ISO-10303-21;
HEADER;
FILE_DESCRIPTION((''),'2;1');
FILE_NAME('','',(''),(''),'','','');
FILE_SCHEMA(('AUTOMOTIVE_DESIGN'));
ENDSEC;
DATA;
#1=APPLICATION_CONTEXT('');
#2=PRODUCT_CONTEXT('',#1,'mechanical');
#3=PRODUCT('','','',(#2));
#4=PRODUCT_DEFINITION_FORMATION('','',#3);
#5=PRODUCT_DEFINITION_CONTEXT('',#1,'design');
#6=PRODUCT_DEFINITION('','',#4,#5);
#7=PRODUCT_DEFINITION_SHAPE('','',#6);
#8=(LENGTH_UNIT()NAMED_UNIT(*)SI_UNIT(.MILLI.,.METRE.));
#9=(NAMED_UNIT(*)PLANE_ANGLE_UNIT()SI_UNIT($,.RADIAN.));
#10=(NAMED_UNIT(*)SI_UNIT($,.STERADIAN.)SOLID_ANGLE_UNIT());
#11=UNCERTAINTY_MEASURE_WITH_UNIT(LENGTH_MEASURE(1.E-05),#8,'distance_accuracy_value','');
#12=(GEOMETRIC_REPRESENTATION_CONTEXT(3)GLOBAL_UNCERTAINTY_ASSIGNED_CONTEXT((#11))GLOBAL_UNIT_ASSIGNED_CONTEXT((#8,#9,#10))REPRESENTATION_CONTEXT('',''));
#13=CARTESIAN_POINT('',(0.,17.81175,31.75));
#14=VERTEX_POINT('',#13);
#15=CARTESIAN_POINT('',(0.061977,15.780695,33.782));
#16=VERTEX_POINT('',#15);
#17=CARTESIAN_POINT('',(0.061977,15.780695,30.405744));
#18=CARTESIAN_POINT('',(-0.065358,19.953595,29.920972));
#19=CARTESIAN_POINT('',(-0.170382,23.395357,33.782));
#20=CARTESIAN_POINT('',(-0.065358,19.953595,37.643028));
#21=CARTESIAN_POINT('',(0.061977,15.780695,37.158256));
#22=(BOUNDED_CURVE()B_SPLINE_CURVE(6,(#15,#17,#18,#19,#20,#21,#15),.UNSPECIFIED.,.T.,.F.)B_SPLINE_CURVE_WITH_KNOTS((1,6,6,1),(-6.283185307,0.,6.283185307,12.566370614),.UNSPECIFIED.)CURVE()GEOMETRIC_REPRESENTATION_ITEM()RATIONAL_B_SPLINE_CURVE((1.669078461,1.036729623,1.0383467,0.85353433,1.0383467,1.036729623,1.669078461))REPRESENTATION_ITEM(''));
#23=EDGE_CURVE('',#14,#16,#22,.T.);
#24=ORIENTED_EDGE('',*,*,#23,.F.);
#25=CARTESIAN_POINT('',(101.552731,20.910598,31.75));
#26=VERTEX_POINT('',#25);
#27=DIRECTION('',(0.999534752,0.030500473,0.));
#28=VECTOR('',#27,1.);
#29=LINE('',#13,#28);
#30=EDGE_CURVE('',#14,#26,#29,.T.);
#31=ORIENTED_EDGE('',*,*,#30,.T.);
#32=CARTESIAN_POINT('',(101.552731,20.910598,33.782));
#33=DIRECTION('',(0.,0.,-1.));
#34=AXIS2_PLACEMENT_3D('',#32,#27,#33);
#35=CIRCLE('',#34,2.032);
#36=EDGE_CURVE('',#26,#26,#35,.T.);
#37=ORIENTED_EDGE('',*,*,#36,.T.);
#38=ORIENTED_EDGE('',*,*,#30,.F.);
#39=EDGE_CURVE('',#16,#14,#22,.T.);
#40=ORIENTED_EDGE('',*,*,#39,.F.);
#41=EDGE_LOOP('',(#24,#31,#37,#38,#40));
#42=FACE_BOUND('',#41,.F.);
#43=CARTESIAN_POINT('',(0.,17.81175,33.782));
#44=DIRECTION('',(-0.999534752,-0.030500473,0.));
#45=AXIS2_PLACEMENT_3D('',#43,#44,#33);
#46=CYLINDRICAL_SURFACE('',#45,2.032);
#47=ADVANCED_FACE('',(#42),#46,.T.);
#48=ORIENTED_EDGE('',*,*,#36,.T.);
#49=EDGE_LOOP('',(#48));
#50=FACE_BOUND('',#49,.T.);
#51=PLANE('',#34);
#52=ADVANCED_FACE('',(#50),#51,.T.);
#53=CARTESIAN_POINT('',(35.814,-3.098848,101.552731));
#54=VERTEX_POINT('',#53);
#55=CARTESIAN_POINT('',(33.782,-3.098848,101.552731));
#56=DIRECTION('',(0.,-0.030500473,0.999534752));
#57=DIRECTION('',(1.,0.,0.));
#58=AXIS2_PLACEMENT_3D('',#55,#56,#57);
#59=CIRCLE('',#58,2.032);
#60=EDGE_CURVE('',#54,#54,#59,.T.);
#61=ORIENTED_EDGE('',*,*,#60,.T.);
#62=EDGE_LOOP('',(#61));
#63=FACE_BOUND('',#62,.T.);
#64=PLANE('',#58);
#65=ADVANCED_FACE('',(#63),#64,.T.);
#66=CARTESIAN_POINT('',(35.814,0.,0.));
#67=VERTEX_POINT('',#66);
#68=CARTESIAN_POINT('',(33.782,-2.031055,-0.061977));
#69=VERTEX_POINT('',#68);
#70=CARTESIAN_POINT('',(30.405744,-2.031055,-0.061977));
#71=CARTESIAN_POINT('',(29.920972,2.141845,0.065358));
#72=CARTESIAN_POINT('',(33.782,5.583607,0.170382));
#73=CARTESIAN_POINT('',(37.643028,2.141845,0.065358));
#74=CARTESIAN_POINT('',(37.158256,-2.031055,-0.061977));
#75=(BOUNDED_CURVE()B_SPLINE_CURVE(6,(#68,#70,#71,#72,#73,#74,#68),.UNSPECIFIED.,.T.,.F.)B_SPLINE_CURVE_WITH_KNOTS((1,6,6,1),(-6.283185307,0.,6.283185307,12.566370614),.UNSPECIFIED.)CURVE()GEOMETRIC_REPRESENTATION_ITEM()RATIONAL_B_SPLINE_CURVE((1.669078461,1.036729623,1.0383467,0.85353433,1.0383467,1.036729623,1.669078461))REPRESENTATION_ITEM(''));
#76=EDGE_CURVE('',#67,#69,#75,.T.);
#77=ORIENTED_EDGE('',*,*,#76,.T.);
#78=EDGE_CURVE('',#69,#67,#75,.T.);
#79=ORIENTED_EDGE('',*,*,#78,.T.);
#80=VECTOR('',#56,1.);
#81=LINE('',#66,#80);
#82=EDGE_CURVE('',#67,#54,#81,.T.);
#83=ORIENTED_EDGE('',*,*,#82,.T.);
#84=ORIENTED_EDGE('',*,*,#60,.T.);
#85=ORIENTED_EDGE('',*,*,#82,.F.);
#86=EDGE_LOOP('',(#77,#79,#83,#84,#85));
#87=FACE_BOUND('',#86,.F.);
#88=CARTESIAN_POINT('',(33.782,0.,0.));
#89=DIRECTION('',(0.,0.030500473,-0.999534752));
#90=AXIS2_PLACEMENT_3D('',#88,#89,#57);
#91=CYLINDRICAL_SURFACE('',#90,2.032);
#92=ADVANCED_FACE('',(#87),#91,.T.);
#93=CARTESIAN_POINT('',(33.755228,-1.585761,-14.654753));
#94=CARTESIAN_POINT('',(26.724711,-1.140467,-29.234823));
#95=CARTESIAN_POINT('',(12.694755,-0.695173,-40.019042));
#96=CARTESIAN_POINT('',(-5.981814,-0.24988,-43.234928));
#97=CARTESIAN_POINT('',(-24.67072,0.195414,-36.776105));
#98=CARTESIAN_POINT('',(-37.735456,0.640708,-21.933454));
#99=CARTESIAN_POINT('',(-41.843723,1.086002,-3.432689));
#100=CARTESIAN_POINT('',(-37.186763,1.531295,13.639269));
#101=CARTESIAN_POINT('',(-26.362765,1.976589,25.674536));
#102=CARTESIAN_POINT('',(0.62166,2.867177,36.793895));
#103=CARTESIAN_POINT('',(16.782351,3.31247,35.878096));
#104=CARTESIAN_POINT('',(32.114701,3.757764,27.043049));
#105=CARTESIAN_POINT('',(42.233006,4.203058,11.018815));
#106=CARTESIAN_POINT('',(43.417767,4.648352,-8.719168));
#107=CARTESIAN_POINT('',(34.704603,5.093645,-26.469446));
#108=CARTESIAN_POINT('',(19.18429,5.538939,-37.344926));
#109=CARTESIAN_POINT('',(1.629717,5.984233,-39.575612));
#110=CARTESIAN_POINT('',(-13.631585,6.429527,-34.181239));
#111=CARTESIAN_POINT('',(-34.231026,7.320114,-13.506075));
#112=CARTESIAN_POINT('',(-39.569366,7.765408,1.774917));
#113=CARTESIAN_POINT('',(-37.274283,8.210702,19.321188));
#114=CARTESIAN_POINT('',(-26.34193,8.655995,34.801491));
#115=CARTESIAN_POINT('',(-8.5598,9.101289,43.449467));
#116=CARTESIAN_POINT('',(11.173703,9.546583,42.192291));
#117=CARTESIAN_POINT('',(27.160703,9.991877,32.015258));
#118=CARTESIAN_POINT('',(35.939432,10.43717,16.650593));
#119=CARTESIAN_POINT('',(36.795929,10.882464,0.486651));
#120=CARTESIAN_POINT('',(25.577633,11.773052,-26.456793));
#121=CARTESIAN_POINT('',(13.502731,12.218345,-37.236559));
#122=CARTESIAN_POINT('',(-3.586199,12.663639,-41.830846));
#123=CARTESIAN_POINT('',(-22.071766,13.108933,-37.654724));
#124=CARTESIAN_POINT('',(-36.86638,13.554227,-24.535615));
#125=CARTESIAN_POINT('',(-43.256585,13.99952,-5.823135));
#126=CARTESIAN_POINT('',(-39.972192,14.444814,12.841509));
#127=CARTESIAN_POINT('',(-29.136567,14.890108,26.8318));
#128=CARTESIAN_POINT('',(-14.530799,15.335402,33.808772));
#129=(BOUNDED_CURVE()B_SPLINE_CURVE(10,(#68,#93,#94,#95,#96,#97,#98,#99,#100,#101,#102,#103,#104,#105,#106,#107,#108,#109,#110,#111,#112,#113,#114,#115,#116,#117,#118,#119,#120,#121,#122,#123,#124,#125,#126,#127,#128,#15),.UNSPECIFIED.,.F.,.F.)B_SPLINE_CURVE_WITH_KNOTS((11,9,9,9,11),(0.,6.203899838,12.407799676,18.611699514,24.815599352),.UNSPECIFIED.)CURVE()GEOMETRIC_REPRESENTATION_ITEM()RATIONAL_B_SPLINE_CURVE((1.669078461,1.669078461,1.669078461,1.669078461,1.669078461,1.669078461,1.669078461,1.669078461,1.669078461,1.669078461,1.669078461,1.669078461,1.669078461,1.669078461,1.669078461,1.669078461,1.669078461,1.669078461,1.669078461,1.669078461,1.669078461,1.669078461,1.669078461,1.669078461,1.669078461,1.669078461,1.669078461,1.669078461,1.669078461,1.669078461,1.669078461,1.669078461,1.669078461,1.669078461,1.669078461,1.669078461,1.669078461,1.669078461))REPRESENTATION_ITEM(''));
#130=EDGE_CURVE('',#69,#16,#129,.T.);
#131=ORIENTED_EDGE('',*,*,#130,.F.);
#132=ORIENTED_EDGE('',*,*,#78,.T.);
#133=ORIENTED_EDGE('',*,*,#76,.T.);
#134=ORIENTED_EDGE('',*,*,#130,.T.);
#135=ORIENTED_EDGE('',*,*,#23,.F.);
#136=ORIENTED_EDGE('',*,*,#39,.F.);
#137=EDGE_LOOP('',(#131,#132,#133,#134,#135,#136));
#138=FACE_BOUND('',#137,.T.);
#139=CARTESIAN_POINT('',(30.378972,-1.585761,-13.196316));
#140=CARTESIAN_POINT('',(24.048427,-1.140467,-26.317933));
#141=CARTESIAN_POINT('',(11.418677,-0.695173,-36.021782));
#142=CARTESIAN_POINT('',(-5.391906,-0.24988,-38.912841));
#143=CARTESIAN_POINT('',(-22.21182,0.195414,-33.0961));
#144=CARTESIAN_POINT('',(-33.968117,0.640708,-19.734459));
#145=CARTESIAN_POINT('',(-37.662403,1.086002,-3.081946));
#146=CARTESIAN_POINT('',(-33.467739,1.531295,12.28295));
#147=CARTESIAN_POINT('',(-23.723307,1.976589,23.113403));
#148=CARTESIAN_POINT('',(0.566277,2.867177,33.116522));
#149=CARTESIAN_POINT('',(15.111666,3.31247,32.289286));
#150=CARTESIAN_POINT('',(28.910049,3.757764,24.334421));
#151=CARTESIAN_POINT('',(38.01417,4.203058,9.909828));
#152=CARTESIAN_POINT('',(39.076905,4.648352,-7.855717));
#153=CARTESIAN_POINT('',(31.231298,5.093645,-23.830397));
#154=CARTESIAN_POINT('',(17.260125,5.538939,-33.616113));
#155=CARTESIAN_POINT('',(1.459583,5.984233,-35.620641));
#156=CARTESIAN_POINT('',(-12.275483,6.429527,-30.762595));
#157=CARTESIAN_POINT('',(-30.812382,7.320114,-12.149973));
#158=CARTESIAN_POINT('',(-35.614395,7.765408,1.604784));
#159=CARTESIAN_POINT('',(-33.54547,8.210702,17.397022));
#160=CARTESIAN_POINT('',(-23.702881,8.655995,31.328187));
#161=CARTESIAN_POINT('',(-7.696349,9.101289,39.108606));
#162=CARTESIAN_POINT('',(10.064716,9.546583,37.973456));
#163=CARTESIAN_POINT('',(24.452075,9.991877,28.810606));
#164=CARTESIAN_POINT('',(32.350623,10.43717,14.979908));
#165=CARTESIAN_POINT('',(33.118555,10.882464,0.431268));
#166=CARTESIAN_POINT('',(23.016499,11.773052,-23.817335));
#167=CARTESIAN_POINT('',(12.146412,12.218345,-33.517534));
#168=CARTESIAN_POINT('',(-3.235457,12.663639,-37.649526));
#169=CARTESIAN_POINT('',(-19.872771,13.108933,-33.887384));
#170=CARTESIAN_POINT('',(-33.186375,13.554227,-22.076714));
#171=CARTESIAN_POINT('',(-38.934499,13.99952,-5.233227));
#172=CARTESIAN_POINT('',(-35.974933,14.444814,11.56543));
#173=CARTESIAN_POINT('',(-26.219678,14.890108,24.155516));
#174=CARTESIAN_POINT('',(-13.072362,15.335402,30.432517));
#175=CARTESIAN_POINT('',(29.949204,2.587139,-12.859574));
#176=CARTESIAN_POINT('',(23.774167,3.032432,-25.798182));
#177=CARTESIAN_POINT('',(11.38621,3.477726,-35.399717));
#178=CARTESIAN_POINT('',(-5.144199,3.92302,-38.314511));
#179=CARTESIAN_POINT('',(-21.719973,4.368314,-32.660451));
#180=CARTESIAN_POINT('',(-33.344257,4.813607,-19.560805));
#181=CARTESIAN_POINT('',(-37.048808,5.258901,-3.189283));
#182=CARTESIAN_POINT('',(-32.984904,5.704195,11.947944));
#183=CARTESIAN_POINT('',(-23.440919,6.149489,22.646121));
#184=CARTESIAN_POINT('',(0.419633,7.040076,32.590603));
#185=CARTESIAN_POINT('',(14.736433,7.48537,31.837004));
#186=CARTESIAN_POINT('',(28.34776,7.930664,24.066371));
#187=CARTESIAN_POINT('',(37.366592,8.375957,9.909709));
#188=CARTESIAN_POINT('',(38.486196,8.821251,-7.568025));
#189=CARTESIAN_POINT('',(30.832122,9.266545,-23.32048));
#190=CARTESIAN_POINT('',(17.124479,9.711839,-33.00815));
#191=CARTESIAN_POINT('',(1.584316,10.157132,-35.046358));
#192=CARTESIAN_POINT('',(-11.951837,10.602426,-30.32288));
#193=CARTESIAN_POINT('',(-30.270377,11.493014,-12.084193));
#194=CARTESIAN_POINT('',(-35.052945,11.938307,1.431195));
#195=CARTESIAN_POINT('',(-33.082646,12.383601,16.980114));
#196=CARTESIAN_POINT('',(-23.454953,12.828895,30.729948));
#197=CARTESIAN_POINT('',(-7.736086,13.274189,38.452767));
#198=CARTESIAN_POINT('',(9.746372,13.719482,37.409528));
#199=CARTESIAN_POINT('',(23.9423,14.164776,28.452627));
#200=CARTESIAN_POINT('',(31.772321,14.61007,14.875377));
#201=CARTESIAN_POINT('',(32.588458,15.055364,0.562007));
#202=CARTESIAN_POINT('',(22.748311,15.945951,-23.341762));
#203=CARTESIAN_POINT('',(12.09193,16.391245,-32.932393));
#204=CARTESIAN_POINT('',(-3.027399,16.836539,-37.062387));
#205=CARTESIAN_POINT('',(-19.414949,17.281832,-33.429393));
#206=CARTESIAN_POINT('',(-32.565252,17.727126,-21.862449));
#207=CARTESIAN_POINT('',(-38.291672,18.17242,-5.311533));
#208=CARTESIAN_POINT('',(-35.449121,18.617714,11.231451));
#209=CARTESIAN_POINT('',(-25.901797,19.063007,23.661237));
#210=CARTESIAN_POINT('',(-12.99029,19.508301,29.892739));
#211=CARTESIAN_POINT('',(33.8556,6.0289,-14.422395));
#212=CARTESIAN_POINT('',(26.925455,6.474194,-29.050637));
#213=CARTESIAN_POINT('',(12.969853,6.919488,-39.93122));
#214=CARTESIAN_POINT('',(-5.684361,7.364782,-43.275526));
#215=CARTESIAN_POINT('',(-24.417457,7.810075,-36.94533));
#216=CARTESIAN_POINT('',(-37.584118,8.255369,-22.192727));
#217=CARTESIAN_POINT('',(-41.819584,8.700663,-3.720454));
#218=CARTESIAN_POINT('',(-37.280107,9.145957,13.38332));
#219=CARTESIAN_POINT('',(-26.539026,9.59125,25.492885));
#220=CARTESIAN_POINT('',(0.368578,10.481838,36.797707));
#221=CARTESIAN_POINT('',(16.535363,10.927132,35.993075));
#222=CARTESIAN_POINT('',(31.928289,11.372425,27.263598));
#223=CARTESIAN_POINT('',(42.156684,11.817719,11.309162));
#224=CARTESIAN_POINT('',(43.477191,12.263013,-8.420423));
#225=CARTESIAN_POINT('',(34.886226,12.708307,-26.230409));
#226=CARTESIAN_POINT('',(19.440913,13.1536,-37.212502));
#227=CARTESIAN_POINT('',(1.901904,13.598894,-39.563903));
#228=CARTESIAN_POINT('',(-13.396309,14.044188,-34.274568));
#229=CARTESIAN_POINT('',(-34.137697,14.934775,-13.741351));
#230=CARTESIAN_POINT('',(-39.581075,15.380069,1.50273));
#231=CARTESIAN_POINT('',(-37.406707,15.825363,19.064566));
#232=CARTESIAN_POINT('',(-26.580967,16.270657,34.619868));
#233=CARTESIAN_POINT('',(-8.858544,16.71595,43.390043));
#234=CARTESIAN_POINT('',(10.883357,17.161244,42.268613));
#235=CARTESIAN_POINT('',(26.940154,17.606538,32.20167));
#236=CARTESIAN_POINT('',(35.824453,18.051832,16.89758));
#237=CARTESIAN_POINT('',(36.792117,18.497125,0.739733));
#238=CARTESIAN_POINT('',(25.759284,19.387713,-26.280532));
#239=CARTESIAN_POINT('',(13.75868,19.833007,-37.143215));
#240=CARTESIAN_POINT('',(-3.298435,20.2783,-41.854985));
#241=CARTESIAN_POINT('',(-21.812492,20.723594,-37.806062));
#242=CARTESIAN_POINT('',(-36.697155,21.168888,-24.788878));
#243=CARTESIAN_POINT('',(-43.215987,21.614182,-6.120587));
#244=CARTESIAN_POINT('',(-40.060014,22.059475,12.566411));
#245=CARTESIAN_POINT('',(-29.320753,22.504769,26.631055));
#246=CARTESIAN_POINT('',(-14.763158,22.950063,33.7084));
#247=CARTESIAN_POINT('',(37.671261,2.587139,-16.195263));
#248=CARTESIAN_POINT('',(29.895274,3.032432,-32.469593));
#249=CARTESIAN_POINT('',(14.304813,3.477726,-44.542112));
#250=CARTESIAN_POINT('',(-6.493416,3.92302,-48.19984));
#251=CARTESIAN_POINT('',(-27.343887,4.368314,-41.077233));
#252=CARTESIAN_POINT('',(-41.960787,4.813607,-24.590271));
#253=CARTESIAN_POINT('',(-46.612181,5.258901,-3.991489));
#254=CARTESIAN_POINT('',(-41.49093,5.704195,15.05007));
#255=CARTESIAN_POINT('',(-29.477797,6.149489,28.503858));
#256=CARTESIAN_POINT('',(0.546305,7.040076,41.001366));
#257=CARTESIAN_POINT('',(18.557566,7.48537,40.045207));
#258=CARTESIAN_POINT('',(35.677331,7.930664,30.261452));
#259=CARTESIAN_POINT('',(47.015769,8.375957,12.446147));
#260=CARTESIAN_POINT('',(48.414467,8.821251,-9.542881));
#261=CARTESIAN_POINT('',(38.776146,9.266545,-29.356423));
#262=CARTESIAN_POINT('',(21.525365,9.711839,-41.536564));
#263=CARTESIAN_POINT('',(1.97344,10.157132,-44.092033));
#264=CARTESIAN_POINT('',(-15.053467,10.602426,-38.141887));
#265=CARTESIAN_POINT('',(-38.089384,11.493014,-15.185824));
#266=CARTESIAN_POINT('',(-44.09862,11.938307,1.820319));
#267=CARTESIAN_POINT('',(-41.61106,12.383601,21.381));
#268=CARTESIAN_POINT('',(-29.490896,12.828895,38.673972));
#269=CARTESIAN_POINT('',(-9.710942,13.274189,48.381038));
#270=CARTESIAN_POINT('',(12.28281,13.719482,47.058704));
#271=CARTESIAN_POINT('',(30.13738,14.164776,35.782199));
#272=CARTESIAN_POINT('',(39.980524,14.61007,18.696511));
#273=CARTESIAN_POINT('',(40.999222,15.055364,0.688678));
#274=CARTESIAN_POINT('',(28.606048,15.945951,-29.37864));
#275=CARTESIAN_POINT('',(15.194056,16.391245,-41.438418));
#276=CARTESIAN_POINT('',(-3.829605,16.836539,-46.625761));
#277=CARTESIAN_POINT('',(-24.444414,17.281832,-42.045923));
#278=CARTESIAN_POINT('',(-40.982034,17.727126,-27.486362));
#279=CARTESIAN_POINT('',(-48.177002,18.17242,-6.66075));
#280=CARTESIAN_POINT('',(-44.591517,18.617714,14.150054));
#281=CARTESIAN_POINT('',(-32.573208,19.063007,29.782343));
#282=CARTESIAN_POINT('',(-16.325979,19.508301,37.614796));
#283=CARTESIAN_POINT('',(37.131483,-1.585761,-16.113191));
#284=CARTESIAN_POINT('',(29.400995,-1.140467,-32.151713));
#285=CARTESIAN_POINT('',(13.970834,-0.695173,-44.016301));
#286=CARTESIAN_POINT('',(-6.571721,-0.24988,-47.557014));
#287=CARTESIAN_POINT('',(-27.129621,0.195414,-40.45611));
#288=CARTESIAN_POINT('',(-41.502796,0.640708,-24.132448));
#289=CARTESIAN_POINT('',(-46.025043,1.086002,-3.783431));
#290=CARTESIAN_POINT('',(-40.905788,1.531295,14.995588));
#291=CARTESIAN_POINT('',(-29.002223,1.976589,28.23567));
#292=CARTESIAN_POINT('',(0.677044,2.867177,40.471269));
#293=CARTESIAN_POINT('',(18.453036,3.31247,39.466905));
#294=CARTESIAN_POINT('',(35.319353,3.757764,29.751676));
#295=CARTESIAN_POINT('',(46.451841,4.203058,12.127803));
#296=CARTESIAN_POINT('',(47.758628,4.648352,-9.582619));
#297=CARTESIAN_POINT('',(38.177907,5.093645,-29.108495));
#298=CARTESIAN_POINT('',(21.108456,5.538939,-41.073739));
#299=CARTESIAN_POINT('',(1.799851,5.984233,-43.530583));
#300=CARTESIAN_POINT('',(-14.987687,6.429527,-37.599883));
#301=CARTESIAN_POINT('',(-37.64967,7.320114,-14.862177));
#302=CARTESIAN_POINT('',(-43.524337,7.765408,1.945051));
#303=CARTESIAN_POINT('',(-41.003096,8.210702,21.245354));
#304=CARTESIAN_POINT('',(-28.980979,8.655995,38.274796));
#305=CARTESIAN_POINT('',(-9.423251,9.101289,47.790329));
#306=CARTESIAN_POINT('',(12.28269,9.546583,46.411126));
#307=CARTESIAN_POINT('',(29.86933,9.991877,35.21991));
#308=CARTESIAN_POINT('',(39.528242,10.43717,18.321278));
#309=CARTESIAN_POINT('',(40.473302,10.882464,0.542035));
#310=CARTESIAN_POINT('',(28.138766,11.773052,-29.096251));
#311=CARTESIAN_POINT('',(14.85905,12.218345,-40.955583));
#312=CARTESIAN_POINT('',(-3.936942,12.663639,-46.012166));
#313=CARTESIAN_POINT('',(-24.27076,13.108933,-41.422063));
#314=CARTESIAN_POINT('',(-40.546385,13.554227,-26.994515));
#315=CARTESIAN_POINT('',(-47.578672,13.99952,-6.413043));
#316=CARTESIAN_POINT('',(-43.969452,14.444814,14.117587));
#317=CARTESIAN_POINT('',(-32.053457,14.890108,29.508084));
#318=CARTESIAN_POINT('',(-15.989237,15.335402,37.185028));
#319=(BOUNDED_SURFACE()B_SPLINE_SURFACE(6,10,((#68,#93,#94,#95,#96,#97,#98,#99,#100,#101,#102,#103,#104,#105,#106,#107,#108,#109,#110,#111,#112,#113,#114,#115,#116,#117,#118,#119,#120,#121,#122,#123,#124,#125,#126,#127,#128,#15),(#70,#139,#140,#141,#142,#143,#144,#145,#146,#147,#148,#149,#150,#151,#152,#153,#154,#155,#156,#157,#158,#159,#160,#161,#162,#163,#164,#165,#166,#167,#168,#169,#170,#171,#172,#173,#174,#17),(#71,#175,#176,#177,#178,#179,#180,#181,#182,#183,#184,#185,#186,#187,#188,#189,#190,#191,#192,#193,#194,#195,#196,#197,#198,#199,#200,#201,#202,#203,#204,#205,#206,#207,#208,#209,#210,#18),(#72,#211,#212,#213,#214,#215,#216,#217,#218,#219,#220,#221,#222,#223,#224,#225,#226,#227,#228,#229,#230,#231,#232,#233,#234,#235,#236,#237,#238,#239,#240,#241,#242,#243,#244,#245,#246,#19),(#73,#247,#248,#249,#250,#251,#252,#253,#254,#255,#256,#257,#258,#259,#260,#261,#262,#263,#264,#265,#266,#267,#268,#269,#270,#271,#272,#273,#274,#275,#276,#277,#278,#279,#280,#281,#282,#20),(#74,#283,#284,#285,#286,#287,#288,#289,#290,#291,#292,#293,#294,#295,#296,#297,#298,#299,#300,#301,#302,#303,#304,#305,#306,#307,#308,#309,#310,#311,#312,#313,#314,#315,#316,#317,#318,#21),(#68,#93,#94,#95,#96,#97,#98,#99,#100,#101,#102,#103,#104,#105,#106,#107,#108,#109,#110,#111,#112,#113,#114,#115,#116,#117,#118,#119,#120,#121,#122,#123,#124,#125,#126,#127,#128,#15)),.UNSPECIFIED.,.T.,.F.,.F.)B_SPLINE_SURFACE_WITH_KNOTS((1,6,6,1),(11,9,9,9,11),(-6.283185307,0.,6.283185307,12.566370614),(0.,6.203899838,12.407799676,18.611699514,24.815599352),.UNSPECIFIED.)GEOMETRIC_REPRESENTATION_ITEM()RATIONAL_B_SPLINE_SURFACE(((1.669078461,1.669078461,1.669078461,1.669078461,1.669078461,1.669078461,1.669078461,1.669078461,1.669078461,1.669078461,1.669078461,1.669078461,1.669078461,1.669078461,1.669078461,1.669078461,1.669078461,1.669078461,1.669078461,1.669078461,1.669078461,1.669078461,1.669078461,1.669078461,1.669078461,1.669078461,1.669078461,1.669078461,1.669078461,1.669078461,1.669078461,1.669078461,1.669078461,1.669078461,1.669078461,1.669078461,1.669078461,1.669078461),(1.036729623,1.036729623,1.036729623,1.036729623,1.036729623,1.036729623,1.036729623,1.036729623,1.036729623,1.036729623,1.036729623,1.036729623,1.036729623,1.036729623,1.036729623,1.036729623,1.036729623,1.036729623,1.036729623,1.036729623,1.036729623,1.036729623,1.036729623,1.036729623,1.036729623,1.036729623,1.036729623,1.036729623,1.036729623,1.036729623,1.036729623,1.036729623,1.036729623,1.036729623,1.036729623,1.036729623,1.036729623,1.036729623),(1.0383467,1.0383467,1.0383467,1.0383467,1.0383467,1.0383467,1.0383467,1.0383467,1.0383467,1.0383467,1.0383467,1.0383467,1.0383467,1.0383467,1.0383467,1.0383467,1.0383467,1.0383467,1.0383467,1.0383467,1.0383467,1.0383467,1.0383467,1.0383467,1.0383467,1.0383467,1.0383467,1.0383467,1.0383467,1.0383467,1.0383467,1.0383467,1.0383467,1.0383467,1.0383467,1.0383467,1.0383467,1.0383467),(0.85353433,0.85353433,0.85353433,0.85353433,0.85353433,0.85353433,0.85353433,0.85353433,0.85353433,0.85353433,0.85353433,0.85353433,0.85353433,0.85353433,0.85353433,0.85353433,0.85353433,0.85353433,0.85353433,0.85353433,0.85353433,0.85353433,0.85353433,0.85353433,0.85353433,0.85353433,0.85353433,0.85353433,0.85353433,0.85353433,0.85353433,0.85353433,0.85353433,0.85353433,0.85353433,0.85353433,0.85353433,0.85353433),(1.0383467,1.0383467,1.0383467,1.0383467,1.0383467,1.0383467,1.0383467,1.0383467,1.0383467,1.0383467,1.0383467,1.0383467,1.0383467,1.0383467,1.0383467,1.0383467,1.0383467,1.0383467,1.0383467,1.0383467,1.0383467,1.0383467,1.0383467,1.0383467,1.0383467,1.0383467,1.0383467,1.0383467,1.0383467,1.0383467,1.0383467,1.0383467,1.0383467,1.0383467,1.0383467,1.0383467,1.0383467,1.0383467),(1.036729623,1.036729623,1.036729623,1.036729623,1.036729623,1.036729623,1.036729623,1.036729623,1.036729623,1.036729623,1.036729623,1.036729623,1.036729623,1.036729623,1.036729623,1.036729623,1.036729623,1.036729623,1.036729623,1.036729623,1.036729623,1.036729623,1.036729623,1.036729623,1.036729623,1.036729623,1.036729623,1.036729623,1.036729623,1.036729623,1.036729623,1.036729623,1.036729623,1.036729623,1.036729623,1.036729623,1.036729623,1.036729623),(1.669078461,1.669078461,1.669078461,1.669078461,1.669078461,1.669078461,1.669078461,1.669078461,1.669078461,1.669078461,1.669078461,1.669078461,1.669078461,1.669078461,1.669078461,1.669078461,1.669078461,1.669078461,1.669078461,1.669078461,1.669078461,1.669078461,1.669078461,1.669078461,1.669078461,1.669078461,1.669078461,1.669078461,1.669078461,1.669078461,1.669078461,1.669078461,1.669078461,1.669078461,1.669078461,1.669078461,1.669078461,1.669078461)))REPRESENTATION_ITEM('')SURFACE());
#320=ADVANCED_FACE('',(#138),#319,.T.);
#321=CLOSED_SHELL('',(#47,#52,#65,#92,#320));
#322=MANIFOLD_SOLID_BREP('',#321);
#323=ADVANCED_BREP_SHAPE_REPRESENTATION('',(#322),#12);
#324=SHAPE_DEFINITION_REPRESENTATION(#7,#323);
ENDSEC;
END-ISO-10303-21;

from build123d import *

# Parameters (mm, degrees)
SWEEP1_PITCH        = 6.477
SWEEP1_HEIGHT       = 17.81175
SWEEP1_RADIUS       = 33.782
SWEEP1_START_ANGLE  = 90
SWEEP1_PROFILE_R    = 2.032
SKETCH15_R          = 2.032
BOSS_EXTRUDE1_DEPTH = 101.6
SKETCH24_R          = 2.032
BOSS_EXTRUDE2_DEPTH = 101.6


with BuildPart() as part:
    # Sweep1: sweep along a helix
    with BuildLine() as sweep1_path:
        add(Helix(SWEEP1_PITCH, SWEEP1_HEIGHT, SWEEP1_RADIUS, center=(0, 0, 0), direction=(0, 1, 0), mode=Mode.PRIVATE).rotate(Axis((0, 0, 0), (0, 1, 0)), SWEEP1_START_ANGLE))
    # Sweep1 profile (on start of the path) → Sweep1 (sweep)
    with BuildSketch(Plane(origin=(33.782, 0, 0), x_dir=(0, -0.999534752, -0.030500473), z_dir=(0, 0.030500473, -0.999534752))):
        Circle(SWEEP1_PROFILE_R)
    sweep(path=sweep1_path.line, is_frenet=True)

    # Sketch15 → Boss-Extrude1 (add)
    with BuildSketch(Plane(origin=(0.54301404, 0.016569894, 0), x_dir=(0, 0, -1), z_dir=(0.999534752, 0.030500473, 0))):
        with Locations((-33.782, 17.803463125)):
            Circle(SKETCH15_R)
    extrude(amount=BOSS_EXTRUDE1_DEPTH)

    # Sketch24 → Boss-Extrude2 (add)
    with BuildSketch(Plane(origin=(0, 0, 0), x_dir=(1, 0, 0), z_dir=(0, -0.030500473, 0.999534752))):
        with Locations((33.782, 0)):
            Circle(SKETCH24_R)
    extrude(amount=BOSS_EXTRUDE2_DEPTH)


solid = part.part
